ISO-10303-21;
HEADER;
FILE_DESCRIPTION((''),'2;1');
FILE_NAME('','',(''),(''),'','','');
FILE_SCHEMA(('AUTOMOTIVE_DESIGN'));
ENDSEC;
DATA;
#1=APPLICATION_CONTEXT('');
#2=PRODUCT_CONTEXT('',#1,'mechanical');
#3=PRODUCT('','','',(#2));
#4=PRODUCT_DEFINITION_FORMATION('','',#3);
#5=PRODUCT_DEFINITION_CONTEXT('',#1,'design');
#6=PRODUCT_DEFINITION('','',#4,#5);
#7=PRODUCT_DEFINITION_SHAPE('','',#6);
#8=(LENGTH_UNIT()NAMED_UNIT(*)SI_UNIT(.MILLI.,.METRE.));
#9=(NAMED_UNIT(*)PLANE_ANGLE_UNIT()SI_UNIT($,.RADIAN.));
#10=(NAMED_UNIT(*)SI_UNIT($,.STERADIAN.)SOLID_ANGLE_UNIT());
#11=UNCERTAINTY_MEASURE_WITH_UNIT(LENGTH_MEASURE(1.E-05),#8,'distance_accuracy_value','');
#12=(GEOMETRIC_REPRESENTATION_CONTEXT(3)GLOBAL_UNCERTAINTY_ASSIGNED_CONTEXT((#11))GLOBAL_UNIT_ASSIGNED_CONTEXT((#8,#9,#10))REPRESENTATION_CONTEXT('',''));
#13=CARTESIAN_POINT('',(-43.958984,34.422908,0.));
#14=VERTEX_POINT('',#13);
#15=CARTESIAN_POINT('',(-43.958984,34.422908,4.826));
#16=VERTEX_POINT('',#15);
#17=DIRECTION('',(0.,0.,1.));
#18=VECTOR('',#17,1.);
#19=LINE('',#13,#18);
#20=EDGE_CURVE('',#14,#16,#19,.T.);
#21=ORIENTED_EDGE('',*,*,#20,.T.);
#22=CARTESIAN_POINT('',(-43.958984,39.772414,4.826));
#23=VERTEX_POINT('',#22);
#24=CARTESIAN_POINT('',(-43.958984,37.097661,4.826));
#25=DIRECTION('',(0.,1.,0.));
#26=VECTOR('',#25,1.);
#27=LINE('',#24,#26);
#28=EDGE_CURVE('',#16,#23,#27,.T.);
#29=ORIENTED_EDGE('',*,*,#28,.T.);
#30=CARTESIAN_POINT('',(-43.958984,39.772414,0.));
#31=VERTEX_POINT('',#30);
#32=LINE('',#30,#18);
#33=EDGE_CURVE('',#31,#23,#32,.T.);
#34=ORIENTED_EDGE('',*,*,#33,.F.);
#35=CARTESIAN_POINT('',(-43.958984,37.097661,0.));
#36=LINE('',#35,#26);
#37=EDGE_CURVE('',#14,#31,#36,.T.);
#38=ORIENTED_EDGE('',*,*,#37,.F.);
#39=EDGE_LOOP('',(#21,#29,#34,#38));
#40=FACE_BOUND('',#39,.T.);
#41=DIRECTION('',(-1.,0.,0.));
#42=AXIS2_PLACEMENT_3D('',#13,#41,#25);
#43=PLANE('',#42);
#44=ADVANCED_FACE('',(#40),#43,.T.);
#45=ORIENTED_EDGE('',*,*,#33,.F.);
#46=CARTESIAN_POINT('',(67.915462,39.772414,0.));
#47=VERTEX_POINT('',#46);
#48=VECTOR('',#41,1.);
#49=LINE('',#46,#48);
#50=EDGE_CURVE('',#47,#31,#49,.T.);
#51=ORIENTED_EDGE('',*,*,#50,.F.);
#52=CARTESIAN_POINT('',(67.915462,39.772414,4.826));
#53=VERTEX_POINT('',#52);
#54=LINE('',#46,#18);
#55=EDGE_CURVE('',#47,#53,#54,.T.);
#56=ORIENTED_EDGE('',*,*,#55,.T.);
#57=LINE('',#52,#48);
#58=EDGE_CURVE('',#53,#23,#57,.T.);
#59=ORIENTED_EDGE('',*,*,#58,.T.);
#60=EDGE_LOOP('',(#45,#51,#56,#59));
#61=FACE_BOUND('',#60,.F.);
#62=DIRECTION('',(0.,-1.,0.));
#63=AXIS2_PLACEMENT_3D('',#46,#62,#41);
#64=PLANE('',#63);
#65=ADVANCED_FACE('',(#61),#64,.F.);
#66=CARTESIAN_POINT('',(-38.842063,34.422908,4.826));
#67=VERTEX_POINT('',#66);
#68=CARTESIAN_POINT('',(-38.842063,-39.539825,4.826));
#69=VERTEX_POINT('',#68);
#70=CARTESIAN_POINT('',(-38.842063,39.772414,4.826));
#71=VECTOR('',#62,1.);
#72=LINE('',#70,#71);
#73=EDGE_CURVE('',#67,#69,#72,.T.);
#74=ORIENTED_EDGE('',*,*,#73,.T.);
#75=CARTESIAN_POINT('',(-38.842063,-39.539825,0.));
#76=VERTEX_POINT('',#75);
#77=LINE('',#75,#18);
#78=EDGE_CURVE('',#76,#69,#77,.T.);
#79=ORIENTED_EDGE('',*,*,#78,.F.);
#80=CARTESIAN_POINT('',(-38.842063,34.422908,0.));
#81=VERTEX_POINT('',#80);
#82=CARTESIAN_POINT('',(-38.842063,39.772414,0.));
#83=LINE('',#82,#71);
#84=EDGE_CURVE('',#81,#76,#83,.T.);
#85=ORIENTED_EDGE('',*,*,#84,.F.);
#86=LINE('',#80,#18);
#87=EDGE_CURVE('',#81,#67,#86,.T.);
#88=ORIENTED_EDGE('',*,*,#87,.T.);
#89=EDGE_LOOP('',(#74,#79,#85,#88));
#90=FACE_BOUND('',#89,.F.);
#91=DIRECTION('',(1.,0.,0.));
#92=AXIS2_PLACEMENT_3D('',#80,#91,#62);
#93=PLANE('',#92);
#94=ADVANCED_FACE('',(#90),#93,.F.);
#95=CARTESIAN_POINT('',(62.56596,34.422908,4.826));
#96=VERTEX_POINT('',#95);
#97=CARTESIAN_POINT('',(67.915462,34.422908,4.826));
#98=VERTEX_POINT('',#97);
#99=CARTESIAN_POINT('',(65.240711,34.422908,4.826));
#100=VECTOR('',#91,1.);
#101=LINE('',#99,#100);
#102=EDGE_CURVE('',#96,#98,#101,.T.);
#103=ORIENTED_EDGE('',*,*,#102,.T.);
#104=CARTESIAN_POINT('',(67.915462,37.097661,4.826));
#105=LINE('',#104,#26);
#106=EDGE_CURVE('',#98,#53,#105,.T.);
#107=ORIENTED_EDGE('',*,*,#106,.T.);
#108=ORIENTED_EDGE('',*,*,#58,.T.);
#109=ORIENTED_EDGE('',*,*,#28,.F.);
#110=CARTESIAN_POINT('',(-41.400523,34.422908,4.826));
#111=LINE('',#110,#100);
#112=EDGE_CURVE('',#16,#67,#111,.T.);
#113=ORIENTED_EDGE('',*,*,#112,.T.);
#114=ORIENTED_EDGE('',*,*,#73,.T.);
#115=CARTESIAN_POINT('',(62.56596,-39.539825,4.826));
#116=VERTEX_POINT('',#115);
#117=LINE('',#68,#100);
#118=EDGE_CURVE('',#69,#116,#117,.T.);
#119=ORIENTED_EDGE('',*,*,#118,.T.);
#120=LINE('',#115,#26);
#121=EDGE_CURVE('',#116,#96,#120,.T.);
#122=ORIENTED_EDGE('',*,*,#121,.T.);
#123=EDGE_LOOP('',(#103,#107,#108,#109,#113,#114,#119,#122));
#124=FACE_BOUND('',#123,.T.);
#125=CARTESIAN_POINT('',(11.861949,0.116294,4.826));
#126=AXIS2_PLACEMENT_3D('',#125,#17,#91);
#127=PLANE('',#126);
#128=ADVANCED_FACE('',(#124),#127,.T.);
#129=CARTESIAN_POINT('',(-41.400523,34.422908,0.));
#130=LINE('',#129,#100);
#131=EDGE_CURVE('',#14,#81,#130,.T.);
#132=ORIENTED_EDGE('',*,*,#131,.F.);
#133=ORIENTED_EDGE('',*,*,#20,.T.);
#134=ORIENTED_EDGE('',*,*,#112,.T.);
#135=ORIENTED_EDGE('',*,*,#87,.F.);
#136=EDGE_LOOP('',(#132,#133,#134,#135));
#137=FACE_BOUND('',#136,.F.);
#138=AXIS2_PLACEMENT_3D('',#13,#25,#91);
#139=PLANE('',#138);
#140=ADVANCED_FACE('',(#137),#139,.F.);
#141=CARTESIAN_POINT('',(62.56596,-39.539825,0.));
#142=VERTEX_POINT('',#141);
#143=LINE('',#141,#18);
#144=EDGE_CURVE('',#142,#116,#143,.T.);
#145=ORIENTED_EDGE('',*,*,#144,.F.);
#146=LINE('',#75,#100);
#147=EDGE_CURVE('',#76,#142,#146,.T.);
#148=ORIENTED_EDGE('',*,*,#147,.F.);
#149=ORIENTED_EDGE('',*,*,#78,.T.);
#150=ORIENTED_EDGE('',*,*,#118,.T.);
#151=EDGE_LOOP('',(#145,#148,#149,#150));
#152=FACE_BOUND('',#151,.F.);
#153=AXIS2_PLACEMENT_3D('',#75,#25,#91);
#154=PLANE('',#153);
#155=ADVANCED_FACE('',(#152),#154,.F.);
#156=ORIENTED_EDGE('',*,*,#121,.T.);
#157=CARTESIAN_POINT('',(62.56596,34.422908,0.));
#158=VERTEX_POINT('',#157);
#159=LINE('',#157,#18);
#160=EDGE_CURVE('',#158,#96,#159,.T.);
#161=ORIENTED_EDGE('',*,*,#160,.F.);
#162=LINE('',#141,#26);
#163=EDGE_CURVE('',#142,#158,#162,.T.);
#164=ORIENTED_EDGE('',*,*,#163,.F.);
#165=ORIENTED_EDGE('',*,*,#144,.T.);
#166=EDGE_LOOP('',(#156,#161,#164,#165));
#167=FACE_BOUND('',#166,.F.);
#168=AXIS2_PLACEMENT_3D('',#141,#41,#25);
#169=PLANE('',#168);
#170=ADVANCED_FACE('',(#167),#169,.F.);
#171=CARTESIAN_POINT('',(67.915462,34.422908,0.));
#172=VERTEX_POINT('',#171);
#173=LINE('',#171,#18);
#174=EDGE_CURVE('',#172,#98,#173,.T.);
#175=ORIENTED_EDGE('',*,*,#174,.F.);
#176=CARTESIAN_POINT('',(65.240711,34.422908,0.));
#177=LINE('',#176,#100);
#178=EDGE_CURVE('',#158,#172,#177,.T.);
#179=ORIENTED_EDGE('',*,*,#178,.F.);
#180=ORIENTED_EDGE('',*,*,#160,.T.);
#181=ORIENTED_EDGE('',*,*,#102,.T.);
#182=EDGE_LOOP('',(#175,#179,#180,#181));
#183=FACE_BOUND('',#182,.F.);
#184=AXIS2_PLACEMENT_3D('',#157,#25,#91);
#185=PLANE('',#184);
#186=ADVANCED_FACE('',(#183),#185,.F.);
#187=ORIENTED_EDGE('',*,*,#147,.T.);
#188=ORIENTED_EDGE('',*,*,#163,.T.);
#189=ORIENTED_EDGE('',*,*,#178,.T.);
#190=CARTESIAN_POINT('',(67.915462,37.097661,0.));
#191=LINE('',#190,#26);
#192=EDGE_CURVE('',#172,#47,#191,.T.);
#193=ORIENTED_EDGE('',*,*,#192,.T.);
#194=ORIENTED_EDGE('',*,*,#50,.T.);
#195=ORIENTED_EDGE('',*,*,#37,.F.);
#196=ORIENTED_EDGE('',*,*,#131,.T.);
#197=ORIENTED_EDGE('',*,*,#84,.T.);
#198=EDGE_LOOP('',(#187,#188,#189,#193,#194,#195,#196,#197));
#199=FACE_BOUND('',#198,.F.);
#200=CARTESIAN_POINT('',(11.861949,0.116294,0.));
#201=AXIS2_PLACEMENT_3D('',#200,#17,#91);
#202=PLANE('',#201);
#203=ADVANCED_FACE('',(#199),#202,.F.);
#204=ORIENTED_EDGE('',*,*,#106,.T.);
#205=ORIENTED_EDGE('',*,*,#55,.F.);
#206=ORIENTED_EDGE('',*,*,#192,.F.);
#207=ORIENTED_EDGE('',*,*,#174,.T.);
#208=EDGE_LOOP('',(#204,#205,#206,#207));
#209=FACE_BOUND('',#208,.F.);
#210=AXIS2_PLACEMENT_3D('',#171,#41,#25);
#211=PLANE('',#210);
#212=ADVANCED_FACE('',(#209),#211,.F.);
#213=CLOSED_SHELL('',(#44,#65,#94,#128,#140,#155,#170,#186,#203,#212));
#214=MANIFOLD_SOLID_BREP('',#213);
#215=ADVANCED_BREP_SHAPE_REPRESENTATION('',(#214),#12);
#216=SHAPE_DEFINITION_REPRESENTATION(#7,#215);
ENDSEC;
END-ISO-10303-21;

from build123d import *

# Parameters (mm, degrees)
F0_W     = 5.116921
F0_H     = 5.349506
F0_W_2   = 5.349502
F1_DEPTH = 4.826


with BuildPart() as f1:
    # F0 (on Top) → F1 (new body)
    with BuildSketch(Plane.XY):
        Polygon((62.56596, 39.772414), (-38.842063, 39.772414), (-38.842063, 34.422908), (-38.842063, -39.539825), (62.56596, -39.539825), (62.56596, 34.422908), align=None)
        with Locations((-41.400523, 37.097661)):
            Rectangle(F0_W, F0_H)
        with Locations((65.240711, 37.097661)):
            Rectangle(F0_W_2, F0_H)
    extrude(amount=F1_DEPTH)


solid = f1.part
